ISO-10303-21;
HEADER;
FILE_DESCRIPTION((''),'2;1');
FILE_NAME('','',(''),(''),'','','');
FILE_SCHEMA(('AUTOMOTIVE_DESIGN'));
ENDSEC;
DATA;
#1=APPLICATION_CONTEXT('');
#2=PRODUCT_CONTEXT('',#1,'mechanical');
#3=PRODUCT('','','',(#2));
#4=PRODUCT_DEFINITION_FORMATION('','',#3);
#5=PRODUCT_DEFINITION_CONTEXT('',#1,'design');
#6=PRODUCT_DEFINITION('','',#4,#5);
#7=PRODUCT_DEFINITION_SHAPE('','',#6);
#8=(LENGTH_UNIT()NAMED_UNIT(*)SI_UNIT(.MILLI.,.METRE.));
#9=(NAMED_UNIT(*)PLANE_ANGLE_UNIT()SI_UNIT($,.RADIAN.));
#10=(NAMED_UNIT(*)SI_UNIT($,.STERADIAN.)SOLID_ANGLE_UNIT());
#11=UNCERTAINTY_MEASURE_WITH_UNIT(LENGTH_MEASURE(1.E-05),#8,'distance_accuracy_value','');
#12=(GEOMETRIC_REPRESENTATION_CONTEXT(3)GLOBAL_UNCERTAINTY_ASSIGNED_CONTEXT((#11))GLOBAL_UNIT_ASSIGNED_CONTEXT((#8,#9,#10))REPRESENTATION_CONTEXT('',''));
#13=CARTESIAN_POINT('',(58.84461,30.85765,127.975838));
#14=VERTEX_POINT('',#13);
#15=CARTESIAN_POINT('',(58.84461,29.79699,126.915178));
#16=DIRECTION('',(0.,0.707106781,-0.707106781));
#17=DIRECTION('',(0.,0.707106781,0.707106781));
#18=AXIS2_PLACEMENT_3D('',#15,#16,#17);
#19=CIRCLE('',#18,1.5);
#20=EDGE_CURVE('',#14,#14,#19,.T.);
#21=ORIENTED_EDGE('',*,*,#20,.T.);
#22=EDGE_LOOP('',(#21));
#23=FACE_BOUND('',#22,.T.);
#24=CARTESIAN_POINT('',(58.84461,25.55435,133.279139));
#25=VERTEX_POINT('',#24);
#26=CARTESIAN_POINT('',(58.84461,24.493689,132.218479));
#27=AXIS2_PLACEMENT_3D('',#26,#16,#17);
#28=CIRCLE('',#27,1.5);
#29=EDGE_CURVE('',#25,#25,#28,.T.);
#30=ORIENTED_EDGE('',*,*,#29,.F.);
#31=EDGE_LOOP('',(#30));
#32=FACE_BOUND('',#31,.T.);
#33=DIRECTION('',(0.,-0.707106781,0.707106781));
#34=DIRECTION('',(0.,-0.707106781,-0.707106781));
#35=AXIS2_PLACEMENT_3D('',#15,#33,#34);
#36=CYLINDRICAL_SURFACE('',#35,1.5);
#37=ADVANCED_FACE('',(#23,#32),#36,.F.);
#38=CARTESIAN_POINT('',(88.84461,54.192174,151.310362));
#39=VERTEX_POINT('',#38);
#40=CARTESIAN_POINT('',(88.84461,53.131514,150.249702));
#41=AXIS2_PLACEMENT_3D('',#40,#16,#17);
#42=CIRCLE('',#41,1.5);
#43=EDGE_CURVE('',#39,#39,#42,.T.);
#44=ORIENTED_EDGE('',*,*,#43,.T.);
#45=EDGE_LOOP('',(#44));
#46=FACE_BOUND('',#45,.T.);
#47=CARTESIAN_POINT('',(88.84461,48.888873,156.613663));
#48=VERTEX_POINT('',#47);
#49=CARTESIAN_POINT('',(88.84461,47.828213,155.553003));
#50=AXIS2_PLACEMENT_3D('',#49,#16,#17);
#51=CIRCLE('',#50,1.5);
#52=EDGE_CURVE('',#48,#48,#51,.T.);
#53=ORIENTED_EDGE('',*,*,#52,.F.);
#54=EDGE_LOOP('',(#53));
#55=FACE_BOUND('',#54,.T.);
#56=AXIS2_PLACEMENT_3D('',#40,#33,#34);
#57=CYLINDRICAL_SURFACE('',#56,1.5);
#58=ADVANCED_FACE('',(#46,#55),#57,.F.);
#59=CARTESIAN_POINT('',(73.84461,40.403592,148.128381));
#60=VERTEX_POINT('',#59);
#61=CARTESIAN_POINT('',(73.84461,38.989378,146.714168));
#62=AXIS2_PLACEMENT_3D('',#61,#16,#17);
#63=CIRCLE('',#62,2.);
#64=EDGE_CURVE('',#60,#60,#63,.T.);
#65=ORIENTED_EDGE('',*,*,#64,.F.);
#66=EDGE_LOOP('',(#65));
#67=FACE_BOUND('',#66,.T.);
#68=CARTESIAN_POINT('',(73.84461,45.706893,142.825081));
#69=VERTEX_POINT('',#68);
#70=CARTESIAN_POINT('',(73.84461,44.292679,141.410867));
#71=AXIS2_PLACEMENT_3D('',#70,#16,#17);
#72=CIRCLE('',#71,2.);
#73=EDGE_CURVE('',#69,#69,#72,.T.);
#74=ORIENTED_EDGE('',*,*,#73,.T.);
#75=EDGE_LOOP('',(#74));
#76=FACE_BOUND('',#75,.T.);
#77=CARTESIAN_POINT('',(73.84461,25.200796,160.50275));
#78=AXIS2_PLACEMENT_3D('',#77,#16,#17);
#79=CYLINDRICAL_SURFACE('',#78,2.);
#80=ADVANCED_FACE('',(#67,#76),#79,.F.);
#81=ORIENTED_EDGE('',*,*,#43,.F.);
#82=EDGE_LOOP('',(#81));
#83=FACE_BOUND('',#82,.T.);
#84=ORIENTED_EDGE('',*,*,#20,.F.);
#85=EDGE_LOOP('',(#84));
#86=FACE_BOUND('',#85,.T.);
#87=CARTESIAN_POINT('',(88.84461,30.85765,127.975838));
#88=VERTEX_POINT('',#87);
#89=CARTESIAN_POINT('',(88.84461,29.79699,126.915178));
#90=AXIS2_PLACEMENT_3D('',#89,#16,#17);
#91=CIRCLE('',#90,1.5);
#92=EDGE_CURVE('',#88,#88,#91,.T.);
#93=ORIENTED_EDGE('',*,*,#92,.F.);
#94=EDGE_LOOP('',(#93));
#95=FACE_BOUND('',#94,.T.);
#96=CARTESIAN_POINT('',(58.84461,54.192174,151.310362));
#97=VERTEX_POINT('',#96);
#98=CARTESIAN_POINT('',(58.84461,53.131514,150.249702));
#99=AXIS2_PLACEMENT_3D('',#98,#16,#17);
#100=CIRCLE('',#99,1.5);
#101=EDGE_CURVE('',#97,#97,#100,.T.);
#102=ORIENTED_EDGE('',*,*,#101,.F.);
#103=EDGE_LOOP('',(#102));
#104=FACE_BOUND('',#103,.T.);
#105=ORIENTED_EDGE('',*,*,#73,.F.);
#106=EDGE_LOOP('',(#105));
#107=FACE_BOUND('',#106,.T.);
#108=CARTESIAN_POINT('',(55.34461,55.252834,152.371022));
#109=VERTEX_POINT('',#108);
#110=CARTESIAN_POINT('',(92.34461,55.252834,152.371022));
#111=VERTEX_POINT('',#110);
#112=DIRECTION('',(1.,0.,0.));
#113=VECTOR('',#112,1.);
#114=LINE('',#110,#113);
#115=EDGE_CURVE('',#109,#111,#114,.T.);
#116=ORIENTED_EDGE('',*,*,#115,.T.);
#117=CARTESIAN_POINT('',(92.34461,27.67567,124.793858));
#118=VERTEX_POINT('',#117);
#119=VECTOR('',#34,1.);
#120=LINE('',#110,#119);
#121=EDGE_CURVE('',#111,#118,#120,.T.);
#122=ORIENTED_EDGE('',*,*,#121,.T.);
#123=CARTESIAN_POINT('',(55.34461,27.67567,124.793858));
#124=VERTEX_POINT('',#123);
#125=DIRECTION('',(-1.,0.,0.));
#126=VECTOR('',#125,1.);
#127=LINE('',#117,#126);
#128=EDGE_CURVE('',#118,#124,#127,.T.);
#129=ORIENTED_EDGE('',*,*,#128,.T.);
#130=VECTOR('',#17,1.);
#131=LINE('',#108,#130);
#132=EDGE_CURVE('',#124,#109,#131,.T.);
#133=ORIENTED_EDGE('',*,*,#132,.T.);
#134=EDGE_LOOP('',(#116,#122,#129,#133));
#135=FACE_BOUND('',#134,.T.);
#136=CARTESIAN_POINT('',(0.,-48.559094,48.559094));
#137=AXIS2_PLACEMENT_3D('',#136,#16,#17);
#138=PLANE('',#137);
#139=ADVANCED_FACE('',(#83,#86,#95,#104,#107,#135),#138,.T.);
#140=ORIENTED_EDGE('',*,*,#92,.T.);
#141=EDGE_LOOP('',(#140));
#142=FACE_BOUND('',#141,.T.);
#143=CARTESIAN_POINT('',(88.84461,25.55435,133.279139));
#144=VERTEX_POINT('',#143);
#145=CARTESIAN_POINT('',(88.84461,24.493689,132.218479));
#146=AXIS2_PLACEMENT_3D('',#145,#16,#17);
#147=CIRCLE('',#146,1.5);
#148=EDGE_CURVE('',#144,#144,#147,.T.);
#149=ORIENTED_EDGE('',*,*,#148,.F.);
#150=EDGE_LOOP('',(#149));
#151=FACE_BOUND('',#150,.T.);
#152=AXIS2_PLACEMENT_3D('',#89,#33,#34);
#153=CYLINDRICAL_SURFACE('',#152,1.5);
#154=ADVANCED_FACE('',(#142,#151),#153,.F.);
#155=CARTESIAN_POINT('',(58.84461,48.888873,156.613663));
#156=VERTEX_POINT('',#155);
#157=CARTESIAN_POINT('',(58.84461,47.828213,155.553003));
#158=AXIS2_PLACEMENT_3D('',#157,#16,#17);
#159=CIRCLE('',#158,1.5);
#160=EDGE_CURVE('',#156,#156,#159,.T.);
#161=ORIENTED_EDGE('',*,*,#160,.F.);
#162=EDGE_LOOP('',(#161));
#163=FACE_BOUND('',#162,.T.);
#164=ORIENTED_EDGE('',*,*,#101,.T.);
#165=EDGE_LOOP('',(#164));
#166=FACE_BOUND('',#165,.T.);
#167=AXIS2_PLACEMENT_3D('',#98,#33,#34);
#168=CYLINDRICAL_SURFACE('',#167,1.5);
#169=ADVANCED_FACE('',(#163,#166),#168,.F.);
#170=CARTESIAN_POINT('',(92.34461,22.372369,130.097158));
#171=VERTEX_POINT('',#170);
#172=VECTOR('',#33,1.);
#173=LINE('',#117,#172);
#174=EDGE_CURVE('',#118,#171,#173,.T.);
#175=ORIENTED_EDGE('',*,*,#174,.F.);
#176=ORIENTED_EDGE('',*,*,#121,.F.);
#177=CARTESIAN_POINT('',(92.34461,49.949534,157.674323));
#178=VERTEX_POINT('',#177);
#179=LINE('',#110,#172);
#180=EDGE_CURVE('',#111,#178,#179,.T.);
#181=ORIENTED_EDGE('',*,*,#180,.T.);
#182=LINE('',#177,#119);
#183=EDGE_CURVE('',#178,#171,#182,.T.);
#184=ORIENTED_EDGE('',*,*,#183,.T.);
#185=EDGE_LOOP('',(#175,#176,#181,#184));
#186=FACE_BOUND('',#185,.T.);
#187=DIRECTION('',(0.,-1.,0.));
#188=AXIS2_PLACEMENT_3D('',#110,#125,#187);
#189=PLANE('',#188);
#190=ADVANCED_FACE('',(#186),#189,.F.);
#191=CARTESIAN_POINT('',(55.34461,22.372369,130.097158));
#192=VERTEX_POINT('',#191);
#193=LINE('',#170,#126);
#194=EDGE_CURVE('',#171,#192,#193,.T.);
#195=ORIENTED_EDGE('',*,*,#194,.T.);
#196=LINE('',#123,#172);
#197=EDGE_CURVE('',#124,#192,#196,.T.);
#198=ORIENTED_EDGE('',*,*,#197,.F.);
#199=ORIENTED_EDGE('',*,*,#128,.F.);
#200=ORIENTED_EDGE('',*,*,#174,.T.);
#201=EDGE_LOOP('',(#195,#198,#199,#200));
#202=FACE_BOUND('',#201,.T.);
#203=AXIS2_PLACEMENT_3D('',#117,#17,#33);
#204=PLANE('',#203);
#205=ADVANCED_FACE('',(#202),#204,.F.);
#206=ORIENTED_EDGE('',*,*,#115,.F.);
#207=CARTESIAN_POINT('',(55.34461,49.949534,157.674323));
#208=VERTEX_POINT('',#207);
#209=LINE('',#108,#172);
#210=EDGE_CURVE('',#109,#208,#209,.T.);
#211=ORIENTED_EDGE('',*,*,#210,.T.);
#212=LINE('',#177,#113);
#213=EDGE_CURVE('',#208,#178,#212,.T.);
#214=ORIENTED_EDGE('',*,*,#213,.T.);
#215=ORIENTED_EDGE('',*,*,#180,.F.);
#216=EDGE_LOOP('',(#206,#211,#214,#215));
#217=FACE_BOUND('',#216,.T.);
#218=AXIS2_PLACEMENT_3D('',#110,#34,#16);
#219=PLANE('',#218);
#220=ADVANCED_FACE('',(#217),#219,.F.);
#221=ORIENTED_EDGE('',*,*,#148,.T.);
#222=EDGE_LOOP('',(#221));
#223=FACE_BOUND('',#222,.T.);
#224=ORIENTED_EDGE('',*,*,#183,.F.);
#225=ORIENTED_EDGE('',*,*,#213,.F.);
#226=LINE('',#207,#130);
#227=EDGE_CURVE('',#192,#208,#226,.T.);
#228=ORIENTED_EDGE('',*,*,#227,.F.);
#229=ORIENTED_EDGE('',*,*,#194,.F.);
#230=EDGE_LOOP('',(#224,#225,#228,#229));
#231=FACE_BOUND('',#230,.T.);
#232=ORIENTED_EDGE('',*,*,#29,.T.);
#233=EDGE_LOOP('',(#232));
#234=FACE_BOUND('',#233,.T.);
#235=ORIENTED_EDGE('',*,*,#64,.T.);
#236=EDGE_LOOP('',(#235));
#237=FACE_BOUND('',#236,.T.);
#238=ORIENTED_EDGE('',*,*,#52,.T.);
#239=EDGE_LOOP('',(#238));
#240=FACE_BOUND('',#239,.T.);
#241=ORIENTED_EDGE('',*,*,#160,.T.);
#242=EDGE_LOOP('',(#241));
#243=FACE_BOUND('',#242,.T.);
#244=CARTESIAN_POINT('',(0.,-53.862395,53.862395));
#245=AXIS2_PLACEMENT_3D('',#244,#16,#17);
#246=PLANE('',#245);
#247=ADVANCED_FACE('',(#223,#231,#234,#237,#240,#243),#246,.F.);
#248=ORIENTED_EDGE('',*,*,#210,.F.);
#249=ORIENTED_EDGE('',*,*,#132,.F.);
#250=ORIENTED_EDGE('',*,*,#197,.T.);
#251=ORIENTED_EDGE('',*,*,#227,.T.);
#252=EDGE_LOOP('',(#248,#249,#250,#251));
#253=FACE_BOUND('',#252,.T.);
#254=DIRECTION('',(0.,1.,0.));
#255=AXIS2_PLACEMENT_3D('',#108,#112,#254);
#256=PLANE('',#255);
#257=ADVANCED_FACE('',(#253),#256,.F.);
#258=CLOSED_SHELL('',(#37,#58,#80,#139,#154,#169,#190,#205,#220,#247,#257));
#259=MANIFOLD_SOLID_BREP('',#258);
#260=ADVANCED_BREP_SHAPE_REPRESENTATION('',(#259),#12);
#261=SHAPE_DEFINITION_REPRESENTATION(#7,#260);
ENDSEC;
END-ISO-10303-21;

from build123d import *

# Parameters (mm, degrees)
SKETCH1_W           = 37
SKETCH1_H           = 39
SKETCH1_R           = 1.5
BOSS_EXTRUDE1_DEPTH = 7.5
SKETCH2_R           = 2
CUT_EXTRUDE1_DEPTH  = 177.665153947


with BuildPart() as part:
    # Sketch1 → Boss-Extrude1 (new body)
    with BuildSketch(Plane(origin=(0, -53.862394692, 53.862394692), x_dir=(1, 0, 0), z_dir=(0, 0.7071067811865502, -0.7071067811865449))):
        with Locations((73.844609768, -127.312236852)):
            Rectangle(SKETCH1_W, SKETCH1_H)
        with Locations(Location((88.844609768, -143.812236852, 0), (0, 0, 270))):
            Circle(SKETCH1_R, mode=Mode.SUBTRACT)
        with Locations(Location((58.844609768, -143.812236852, 0), (0, 0, 270))):
            Circle(SKETCH1_R, mode=Mode.SUBTRACT)
        with Locations(Location((58.844609768, -110.812236852, 0), (0, 0, 270))):
            Circle(SKETCH1_R, mode=Mode.SUBTRACT)
        with Locations(Location((88.844609768, -110.812236852, 0), (0, 0, 270))):
            Circle(SKETCH1_R, mode=Mode.SUBTRACT)
    extrude(amount=BOSS_EXTRUDE1_DEPTH)

    # Sketch2 → Cut-Extrude1 (cut, through all)
    with BuildSketch(Plane(origin=(0, -48.559093833, 48.559093833), x_dir=(1, 0, 0), z_dir=(0, 0.7071067811865502, -0.7071067811865449))):
        with Locations(Location((73.844609768, -131.312236852, 0), (0, 0, 270))):
            Circle(SKETCH2_R)
    extrude(amount=-CUT_EXTRUDE1_DEPTH, mode=Mode.SUBTRACT)


solid = part.part
